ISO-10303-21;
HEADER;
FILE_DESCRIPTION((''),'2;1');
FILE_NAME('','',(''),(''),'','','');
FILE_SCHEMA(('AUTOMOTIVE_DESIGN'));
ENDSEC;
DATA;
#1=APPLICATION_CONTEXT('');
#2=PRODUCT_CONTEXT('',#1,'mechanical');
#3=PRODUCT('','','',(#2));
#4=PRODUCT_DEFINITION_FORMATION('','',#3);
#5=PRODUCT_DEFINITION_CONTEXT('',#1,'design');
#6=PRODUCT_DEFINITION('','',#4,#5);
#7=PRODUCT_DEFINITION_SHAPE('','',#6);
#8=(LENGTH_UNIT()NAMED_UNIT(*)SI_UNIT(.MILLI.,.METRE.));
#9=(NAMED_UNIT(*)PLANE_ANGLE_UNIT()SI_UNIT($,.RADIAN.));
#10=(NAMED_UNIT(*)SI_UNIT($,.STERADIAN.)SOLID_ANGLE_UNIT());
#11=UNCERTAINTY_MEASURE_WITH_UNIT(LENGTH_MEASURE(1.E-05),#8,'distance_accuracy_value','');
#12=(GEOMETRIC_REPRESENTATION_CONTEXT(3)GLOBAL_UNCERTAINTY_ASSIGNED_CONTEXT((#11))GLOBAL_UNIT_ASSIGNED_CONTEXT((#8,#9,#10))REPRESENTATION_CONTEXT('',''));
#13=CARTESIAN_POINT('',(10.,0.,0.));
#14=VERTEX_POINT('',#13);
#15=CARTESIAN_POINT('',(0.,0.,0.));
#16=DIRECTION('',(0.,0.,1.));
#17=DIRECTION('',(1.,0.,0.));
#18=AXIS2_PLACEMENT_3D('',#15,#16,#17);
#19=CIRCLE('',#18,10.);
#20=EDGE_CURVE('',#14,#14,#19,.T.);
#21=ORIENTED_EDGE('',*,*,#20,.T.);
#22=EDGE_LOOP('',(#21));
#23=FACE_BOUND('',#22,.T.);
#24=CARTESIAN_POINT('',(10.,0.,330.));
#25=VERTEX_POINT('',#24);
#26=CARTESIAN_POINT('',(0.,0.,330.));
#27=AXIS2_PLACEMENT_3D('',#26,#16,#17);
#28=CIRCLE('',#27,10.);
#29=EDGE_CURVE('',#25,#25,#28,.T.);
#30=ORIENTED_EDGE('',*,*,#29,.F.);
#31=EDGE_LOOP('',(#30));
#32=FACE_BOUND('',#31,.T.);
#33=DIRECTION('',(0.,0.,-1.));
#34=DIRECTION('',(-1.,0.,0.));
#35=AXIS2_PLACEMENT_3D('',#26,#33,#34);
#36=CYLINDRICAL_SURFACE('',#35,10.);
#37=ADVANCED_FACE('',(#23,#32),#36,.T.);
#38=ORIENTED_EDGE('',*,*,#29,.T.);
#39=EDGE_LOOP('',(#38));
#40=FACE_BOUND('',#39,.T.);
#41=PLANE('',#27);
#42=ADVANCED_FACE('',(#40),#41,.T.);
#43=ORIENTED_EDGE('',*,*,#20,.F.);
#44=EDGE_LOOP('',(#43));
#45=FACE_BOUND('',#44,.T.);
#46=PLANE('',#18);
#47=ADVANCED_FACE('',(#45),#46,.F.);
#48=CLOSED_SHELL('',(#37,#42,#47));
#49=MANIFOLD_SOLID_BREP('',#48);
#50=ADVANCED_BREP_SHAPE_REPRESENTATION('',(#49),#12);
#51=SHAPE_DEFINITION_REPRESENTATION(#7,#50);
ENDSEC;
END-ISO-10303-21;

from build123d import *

# Parameters (mm, degrees)
SKETCH_1_R      = 10
EXTRUDE_1_DEPTH = 330


with BuildPart() as part:
    # 草图1 → 凸台-拉伸1 (new body)
    with BuildSketch(Plane.XY):
        Circle(SKETCH_1_R)
    extrude(amount=EXTRUDE_1_DEPTH)


solid = part.part
